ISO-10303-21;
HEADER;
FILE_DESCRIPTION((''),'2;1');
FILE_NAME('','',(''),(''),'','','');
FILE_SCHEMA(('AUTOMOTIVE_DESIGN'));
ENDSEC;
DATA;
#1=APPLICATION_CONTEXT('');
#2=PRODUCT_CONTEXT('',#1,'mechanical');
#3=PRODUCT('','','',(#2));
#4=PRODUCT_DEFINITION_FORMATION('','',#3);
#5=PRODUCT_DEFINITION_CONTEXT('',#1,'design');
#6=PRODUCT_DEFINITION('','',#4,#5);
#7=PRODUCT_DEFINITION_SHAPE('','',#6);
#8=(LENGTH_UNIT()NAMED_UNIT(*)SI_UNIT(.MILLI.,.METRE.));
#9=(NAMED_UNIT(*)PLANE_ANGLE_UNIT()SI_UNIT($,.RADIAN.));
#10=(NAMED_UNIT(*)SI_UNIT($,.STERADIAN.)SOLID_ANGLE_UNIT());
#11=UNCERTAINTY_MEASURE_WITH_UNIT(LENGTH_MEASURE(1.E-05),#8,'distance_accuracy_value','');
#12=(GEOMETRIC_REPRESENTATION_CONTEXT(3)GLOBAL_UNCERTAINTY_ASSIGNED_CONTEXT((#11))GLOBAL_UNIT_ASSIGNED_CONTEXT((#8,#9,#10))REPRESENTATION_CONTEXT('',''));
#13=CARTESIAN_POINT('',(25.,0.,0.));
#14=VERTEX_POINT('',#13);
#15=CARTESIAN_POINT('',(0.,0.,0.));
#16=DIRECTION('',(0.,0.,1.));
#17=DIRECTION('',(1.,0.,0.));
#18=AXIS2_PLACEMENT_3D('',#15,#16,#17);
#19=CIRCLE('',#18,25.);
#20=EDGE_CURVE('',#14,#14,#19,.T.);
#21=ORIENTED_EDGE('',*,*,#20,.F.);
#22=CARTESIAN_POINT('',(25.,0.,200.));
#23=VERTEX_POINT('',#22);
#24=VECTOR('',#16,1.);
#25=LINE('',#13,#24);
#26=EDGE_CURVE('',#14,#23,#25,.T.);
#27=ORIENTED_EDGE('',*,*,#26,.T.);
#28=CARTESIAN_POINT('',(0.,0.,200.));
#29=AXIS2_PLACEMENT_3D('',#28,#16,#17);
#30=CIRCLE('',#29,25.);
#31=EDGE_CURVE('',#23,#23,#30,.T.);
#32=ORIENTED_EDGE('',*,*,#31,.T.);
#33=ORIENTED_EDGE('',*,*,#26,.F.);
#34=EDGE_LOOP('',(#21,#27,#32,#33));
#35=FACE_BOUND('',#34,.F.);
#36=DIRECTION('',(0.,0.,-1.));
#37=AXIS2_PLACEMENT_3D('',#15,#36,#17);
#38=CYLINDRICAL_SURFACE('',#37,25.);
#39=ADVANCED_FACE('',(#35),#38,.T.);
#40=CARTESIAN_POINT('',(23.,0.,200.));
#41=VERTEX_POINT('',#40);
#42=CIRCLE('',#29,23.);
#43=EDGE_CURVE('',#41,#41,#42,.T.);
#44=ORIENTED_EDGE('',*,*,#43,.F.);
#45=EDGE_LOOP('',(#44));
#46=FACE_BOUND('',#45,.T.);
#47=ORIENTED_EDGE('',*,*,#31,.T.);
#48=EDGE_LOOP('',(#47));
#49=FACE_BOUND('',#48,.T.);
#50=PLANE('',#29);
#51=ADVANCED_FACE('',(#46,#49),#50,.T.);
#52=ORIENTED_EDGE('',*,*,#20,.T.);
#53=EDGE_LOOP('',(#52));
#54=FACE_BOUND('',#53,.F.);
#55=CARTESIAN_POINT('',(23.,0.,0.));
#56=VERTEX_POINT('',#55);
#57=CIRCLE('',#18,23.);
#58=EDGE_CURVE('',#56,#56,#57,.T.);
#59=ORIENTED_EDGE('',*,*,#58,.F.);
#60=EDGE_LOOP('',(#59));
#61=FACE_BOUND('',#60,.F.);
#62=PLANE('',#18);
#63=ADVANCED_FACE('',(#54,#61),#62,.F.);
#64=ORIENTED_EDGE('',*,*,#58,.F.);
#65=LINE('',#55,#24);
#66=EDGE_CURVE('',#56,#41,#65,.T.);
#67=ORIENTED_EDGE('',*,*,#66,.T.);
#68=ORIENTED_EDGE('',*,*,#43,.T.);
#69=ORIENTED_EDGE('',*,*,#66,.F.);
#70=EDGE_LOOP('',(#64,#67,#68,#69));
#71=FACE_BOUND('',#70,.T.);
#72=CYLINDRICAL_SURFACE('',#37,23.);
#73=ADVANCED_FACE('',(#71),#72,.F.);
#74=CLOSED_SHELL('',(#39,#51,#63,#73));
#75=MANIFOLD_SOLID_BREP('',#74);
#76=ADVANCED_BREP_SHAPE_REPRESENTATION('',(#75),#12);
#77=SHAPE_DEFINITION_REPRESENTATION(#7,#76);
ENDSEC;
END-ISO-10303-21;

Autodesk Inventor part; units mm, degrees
ref_plane "YZ Plane" through (0, 0, 0) normal (1, 0, 0) x (0, 1, 0)
ref_plane "XZ Plane" through (0, 0, 0) normal (0, 1, 0) x (-1, 0, 0)
ref_plane "XY Plane" through (0, 0, 0) normal (0, 0, 1) x (1, 0, 0)
sketch "Sketch1" plane through (0, 0, 0) normal (0, 0, 1) x (1, 0, 0)
  circle A0 centre (0, 0) radius 25
  circle A1 centre (0, 0) radius 23
  dimension "d0" = 50
  dimension "d1" = 46
extrude "Extrusion1" add sketch "Sketch1" along normal blind 200
properties part number "Rolo_B_passivo"
